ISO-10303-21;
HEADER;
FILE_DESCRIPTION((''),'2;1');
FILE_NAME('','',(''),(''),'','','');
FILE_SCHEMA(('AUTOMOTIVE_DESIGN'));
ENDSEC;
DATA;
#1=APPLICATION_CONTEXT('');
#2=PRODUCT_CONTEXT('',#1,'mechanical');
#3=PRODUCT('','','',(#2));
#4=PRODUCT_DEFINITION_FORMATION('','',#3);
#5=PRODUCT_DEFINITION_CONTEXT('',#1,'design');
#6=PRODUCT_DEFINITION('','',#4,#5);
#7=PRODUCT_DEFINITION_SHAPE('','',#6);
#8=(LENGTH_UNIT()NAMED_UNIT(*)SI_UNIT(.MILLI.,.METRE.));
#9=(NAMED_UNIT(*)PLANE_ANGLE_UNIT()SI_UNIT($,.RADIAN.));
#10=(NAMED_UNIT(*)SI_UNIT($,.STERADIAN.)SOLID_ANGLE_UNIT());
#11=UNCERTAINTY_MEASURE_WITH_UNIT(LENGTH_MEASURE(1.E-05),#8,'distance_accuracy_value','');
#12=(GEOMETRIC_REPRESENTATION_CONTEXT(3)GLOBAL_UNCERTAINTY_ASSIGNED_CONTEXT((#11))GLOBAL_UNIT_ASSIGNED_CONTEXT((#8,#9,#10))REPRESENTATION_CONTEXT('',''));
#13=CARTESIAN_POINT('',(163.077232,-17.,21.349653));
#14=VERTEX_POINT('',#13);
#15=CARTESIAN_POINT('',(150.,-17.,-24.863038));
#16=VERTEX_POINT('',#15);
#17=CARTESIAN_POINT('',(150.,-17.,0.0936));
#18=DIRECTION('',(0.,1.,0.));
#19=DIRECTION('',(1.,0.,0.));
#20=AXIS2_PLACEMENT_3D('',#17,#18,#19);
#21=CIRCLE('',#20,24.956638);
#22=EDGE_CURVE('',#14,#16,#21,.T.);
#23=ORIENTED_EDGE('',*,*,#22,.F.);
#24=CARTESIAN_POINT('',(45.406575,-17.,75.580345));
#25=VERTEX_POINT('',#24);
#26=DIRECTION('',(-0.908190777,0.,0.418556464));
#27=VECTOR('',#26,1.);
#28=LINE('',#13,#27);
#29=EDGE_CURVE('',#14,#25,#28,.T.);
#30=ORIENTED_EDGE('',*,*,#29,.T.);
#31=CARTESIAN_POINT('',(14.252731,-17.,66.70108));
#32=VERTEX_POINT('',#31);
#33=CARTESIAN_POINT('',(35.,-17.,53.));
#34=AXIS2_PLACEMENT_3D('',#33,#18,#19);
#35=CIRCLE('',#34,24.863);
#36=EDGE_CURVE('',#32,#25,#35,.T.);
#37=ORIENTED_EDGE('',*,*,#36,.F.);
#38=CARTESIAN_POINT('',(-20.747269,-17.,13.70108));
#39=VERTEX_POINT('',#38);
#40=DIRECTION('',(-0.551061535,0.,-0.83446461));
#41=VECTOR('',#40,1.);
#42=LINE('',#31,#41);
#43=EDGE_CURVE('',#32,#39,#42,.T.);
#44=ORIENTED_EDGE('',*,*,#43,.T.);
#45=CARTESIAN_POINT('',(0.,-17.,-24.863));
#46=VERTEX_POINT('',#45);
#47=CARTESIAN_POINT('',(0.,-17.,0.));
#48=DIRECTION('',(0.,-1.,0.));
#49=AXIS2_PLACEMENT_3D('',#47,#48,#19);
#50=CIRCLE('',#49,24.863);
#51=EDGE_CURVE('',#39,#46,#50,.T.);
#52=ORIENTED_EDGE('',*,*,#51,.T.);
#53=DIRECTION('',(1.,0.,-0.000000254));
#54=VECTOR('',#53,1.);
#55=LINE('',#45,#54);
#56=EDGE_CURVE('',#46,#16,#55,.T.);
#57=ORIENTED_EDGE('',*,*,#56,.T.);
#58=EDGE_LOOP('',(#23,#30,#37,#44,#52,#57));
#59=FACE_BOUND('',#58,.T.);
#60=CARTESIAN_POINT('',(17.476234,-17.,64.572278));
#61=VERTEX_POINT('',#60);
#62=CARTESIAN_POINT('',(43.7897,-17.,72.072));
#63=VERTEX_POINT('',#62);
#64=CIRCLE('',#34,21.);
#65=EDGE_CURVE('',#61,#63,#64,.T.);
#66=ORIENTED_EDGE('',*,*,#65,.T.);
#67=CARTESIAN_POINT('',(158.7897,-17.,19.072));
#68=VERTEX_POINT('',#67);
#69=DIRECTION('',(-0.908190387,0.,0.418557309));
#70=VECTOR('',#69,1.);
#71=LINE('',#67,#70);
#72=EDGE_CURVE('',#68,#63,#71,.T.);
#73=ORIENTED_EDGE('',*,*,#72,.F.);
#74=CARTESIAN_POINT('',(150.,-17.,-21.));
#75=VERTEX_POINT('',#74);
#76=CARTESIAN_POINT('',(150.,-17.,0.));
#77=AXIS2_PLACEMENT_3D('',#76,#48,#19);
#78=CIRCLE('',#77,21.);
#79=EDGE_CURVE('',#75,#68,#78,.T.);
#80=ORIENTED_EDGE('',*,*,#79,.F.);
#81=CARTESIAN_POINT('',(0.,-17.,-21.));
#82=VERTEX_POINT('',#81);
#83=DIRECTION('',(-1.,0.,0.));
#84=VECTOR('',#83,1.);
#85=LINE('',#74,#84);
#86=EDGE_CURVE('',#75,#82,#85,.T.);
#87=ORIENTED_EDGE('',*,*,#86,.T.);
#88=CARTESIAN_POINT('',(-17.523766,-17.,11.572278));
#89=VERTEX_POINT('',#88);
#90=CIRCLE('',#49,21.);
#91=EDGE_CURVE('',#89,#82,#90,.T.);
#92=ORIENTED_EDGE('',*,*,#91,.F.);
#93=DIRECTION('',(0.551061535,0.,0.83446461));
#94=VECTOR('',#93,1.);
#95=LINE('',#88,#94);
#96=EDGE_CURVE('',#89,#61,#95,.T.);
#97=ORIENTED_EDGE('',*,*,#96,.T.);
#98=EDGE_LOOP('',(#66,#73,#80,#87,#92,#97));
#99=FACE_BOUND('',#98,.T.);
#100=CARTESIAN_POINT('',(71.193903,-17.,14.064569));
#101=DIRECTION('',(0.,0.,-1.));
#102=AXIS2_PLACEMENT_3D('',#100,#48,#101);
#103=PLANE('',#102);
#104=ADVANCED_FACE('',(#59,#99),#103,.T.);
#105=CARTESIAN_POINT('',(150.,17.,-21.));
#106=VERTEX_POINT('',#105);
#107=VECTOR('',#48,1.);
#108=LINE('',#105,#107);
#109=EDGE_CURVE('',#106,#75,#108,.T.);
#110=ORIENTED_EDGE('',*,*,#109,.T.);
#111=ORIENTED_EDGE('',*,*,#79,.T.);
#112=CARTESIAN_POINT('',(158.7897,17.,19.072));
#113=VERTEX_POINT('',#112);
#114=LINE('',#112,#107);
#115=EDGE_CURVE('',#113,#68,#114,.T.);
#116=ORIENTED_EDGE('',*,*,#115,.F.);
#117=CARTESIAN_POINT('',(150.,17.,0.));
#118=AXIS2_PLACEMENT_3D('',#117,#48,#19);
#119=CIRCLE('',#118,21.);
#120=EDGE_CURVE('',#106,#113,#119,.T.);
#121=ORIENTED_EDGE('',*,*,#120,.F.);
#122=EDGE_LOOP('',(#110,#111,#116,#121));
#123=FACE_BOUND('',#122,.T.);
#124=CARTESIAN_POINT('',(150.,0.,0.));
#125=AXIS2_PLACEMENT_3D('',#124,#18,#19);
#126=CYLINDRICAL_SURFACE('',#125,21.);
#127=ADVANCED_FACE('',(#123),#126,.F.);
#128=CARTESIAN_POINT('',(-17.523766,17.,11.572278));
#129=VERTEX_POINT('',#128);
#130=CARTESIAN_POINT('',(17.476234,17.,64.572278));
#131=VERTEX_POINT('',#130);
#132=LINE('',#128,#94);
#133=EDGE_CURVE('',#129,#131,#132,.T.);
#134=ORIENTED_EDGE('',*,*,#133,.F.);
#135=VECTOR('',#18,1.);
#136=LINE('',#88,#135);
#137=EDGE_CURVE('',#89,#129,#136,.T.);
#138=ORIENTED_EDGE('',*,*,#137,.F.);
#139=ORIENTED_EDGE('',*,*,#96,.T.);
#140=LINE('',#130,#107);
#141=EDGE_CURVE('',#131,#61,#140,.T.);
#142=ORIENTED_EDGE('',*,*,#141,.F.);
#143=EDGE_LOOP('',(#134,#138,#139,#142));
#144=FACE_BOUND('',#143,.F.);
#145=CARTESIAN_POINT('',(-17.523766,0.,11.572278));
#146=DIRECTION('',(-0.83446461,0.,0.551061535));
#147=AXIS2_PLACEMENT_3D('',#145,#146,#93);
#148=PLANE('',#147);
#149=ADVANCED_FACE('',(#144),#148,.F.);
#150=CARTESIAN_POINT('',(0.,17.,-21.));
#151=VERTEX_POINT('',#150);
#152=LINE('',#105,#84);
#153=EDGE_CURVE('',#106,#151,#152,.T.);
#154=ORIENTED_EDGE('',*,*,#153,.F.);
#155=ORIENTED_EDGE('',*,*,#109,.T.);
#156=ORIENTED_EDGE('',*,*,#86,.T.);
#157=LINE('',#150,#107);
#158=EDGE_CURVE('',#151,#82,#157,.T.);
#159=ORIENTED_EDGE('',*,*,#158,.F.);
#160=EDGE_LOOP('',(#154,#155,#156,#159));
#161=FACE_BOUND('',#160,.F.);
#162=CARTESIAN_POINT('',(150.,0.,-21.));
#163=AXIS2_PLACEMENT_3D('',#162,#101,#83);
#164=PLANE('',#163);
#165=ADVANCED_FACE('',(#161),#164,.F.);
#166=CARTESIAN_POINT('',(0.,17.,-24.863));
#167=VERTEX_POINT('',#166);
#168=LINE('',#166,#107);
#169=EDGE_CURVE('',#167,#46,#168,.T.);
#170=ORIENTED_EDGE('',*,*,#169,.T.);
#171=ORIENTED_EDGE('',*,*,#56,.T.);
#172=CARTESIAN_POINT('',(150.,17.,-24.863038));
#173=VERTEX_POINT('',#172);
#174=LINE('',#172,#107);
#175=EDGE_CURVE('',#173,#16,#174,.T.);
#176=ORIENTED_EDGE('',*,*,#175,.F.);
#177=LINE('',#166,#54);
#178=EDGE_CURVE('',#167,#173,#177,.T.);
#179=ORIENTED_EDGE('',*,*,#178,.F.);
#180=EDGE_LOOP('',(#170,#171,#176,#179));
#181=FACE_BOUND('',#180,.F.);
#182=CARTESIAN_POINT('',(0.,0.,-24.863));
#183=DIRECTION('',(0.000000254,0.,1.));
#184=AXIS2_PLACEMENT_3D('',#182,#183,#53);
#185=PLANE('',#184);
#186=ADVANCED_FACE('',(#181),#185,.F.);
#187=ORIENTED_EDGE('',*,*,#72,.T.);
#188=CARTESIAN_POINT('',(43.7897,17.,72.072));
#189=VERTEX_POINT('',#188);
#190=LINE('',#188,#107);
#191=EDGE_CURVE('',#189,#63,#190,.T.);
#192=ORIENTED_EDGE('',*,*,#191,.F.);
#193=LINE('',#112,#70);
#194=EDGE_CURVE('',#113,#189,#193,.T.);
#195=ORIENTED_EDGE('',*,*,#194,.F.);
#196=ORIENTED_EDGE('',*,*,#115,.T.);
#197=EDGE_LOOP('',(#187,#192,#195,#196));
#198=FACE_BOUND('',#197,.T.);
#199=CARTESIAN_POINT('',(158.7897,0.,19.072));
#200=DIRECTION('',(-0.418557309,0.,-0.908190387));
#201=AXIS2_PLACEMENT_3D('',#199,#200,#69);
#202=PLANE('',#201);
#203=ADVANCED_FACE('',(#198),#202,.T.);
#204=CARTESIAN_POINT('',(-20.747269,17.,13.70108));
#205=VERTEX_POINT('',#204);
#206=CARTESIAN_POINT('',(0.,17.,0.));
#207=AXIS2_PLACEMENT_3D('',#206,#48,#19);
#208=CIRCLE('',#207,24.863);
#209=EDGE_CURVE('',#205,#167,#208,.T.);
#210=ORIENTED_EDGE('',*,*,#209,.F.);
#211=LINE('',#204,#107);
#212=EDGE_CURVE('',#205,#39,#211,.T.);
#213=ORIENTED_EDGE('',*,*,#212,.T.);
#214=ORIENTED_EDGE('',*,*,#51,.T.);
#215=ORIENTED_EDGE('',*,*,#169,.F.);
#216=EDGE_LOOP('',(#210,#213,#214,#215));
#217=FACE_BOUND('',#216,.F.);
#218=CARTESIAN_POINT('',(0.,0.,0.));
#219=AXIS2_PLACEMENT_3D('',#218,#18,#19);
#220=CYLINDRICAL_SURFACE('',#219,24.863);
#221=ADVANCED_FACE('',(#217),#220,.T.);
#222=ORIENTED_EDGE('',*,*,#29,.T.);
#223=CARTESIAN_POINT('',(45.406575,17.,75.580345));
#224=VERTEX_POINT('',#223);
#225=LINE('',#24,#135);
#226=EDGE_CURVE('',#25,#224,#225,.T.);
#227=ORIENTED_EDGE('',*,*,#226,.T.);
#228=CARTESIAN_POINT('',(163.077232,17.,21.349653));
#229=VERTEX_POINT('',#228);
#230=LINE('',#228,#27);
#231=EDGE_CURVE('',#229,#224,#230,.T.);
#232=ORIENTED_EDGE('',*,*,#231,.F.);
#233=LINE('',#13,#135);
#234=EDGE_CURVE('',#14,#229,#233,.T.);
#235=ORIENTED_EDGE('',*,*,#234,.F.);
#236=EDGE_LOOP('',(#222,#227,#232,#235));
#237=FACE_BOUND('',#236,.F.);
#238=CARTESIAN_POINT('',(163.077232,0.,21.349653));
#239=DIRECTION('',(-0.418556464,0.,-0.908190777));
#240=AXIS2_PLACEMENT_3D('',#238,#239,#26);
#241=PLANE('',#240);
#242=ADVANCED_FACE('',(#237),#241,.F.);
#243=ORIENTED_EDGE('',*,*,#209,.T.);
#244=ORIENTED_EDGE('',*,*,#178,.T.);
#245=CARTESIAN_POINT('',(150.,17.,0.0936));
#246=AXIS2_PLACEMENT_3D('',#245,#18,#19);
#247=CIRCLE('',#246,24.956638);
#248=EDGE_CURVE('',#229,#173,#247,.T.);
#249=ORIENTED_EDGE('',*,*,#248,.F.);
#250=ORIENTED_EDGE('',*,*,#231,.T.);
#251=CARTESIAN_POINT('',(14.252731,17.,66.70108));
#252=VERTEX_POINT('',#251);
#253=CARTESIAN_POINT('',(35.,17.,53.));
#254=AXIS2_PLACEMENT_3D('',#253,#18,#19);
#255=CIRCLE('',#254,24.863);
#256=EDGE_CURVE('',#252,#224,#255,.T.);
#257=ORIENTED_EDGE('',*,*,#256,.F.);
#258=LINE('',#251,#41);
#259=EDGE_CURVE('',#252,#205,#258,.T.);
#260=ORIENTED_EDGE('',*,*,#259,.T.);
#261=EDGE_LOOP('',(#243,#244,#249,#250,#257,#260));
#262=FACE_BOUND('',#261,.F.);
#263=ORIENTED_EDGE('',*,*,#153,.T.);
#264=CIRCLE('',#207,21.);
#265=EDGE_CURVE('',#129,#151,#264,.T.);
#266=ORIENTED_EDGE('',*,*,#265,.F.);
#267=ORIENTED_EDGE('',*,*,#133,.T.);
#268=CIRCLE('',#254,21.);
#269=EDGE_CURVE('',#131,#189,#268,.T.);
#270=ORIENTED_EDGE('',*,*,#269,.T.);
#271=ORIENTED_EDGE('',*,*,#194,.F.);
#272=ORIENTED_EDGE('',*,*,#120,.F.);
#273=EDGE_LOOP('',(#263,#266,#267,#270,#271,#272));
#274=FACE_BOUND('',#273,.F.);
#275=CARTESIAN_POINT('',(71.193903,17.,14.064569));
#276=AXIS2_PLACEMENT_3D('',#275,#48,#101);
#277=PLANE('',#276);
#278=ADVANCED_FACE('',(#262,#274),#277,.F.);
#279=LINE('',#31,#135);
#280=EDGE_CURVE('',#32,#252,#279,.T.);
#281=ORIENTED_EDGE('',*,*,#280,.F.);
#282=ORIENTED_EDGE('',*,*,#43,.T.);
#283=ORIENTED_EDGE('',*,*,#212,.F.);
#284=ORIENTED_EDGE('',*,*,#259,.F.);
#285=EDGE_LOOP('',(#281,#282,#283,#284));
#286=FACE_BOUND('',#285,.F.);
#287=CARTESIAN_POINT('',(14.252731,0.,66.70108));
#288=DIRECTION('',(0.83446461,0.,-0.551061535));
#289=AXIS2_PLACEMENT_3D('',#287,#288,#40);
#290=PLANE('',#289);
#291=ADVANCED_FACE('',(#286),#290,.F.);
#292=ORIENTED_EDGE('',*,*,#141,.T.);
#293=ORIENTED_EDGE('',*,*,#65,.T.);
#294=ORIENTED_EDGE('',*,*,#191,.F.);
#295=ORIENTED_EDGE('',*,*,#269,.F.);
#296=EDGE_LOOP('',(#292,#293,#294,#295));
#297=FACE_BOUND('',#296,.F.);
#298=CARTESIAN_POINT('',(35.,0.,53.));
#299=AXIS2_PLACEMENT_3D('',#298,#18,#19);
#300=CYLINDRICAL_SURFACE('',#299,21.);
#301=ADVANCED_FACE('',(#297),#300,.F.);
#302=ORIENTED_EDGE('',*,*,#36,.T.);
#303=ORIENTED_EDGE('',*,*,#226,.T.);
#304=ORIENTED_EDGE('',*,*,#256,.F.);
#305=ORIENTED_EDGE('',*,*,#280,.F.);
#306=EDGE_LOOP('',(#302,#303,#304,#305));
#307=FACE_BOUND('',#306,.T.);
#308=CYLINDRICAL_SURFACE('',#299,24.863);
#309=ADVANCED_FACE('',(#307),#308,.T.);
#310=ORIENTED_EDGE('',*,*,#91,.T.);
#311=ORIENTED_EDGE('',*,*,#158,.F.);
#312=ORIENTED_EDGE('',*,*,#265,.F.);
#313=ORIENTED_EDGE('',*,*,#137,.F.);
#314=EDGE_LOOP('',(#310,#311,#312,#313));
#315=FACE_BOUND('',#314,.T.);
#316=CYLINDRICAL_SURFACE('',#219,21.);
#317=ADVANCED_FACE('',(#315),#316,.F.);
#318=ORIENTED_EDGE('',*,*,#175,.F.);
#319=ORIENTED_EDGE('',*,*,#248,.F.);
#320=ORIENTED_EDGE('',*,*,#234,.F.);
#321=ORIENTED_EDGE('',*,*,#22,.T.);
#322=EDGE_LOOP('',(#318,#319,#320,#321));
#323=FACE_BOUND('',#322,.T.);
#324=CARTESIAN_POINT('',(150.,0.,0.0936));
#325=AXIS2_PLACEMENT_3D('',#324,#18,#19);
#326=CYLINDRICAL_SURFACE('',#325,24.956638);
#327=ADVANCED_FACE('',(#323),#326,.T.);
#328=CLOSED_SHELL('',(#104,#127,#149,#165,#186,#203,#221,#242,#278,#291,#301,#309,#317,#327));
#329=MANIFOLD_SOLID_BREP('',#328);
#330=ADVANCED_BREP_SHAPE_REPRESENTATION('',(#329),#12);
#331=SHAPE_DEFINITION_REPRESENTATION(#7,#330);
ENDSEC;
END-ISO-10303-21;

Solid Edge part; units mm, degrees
sketch "Sketch1" plane through (0, 0, 0) normal (0, -1, 0) x (1, 0, 0)
  arc A0 (150, -21) -> (158.7897, 19.072) centre (150, 0) ccw
  line L0 (158.7897, 19.072) -> (43.7897, 72.072)
  arc A1 (17.4762, 64.5723) -> (43.7897, 72.072) centre (35, 53) cw
  line L1 (-17.5238, 11.5723) -> (17.4762, 64.5723)
  arc A2 (-17.5238, 11.5723) -> (0, -21) centre (0, 0) ccw
  line L2 (150, -21) -> (0, -21)
  line L3 (14.2527, 66.7011) -> (-20.7473, 13.7011)
  arc A3 (-20.7473, 13.7011) -> (0, -24.8631) centre (0, 0) ccw
  line L4 (0, -24.8631) -> (150, -24.8631)
  arc A4 (163.0772, 21.3496) -> (150, -24.8631) centre (150, 0.0936) cw
  line L5 (163.0772, 21.3496) -> (45.4066, 75.5804)
  arc A5 (14.2527, 66.7011) -> (45.4066, 75.5804) centre (35, 53) cw
extrude "Protrusion1" add sketch "Sketch1" along normal mid plane 34
properties material "ABS Plastic, medium impact"
